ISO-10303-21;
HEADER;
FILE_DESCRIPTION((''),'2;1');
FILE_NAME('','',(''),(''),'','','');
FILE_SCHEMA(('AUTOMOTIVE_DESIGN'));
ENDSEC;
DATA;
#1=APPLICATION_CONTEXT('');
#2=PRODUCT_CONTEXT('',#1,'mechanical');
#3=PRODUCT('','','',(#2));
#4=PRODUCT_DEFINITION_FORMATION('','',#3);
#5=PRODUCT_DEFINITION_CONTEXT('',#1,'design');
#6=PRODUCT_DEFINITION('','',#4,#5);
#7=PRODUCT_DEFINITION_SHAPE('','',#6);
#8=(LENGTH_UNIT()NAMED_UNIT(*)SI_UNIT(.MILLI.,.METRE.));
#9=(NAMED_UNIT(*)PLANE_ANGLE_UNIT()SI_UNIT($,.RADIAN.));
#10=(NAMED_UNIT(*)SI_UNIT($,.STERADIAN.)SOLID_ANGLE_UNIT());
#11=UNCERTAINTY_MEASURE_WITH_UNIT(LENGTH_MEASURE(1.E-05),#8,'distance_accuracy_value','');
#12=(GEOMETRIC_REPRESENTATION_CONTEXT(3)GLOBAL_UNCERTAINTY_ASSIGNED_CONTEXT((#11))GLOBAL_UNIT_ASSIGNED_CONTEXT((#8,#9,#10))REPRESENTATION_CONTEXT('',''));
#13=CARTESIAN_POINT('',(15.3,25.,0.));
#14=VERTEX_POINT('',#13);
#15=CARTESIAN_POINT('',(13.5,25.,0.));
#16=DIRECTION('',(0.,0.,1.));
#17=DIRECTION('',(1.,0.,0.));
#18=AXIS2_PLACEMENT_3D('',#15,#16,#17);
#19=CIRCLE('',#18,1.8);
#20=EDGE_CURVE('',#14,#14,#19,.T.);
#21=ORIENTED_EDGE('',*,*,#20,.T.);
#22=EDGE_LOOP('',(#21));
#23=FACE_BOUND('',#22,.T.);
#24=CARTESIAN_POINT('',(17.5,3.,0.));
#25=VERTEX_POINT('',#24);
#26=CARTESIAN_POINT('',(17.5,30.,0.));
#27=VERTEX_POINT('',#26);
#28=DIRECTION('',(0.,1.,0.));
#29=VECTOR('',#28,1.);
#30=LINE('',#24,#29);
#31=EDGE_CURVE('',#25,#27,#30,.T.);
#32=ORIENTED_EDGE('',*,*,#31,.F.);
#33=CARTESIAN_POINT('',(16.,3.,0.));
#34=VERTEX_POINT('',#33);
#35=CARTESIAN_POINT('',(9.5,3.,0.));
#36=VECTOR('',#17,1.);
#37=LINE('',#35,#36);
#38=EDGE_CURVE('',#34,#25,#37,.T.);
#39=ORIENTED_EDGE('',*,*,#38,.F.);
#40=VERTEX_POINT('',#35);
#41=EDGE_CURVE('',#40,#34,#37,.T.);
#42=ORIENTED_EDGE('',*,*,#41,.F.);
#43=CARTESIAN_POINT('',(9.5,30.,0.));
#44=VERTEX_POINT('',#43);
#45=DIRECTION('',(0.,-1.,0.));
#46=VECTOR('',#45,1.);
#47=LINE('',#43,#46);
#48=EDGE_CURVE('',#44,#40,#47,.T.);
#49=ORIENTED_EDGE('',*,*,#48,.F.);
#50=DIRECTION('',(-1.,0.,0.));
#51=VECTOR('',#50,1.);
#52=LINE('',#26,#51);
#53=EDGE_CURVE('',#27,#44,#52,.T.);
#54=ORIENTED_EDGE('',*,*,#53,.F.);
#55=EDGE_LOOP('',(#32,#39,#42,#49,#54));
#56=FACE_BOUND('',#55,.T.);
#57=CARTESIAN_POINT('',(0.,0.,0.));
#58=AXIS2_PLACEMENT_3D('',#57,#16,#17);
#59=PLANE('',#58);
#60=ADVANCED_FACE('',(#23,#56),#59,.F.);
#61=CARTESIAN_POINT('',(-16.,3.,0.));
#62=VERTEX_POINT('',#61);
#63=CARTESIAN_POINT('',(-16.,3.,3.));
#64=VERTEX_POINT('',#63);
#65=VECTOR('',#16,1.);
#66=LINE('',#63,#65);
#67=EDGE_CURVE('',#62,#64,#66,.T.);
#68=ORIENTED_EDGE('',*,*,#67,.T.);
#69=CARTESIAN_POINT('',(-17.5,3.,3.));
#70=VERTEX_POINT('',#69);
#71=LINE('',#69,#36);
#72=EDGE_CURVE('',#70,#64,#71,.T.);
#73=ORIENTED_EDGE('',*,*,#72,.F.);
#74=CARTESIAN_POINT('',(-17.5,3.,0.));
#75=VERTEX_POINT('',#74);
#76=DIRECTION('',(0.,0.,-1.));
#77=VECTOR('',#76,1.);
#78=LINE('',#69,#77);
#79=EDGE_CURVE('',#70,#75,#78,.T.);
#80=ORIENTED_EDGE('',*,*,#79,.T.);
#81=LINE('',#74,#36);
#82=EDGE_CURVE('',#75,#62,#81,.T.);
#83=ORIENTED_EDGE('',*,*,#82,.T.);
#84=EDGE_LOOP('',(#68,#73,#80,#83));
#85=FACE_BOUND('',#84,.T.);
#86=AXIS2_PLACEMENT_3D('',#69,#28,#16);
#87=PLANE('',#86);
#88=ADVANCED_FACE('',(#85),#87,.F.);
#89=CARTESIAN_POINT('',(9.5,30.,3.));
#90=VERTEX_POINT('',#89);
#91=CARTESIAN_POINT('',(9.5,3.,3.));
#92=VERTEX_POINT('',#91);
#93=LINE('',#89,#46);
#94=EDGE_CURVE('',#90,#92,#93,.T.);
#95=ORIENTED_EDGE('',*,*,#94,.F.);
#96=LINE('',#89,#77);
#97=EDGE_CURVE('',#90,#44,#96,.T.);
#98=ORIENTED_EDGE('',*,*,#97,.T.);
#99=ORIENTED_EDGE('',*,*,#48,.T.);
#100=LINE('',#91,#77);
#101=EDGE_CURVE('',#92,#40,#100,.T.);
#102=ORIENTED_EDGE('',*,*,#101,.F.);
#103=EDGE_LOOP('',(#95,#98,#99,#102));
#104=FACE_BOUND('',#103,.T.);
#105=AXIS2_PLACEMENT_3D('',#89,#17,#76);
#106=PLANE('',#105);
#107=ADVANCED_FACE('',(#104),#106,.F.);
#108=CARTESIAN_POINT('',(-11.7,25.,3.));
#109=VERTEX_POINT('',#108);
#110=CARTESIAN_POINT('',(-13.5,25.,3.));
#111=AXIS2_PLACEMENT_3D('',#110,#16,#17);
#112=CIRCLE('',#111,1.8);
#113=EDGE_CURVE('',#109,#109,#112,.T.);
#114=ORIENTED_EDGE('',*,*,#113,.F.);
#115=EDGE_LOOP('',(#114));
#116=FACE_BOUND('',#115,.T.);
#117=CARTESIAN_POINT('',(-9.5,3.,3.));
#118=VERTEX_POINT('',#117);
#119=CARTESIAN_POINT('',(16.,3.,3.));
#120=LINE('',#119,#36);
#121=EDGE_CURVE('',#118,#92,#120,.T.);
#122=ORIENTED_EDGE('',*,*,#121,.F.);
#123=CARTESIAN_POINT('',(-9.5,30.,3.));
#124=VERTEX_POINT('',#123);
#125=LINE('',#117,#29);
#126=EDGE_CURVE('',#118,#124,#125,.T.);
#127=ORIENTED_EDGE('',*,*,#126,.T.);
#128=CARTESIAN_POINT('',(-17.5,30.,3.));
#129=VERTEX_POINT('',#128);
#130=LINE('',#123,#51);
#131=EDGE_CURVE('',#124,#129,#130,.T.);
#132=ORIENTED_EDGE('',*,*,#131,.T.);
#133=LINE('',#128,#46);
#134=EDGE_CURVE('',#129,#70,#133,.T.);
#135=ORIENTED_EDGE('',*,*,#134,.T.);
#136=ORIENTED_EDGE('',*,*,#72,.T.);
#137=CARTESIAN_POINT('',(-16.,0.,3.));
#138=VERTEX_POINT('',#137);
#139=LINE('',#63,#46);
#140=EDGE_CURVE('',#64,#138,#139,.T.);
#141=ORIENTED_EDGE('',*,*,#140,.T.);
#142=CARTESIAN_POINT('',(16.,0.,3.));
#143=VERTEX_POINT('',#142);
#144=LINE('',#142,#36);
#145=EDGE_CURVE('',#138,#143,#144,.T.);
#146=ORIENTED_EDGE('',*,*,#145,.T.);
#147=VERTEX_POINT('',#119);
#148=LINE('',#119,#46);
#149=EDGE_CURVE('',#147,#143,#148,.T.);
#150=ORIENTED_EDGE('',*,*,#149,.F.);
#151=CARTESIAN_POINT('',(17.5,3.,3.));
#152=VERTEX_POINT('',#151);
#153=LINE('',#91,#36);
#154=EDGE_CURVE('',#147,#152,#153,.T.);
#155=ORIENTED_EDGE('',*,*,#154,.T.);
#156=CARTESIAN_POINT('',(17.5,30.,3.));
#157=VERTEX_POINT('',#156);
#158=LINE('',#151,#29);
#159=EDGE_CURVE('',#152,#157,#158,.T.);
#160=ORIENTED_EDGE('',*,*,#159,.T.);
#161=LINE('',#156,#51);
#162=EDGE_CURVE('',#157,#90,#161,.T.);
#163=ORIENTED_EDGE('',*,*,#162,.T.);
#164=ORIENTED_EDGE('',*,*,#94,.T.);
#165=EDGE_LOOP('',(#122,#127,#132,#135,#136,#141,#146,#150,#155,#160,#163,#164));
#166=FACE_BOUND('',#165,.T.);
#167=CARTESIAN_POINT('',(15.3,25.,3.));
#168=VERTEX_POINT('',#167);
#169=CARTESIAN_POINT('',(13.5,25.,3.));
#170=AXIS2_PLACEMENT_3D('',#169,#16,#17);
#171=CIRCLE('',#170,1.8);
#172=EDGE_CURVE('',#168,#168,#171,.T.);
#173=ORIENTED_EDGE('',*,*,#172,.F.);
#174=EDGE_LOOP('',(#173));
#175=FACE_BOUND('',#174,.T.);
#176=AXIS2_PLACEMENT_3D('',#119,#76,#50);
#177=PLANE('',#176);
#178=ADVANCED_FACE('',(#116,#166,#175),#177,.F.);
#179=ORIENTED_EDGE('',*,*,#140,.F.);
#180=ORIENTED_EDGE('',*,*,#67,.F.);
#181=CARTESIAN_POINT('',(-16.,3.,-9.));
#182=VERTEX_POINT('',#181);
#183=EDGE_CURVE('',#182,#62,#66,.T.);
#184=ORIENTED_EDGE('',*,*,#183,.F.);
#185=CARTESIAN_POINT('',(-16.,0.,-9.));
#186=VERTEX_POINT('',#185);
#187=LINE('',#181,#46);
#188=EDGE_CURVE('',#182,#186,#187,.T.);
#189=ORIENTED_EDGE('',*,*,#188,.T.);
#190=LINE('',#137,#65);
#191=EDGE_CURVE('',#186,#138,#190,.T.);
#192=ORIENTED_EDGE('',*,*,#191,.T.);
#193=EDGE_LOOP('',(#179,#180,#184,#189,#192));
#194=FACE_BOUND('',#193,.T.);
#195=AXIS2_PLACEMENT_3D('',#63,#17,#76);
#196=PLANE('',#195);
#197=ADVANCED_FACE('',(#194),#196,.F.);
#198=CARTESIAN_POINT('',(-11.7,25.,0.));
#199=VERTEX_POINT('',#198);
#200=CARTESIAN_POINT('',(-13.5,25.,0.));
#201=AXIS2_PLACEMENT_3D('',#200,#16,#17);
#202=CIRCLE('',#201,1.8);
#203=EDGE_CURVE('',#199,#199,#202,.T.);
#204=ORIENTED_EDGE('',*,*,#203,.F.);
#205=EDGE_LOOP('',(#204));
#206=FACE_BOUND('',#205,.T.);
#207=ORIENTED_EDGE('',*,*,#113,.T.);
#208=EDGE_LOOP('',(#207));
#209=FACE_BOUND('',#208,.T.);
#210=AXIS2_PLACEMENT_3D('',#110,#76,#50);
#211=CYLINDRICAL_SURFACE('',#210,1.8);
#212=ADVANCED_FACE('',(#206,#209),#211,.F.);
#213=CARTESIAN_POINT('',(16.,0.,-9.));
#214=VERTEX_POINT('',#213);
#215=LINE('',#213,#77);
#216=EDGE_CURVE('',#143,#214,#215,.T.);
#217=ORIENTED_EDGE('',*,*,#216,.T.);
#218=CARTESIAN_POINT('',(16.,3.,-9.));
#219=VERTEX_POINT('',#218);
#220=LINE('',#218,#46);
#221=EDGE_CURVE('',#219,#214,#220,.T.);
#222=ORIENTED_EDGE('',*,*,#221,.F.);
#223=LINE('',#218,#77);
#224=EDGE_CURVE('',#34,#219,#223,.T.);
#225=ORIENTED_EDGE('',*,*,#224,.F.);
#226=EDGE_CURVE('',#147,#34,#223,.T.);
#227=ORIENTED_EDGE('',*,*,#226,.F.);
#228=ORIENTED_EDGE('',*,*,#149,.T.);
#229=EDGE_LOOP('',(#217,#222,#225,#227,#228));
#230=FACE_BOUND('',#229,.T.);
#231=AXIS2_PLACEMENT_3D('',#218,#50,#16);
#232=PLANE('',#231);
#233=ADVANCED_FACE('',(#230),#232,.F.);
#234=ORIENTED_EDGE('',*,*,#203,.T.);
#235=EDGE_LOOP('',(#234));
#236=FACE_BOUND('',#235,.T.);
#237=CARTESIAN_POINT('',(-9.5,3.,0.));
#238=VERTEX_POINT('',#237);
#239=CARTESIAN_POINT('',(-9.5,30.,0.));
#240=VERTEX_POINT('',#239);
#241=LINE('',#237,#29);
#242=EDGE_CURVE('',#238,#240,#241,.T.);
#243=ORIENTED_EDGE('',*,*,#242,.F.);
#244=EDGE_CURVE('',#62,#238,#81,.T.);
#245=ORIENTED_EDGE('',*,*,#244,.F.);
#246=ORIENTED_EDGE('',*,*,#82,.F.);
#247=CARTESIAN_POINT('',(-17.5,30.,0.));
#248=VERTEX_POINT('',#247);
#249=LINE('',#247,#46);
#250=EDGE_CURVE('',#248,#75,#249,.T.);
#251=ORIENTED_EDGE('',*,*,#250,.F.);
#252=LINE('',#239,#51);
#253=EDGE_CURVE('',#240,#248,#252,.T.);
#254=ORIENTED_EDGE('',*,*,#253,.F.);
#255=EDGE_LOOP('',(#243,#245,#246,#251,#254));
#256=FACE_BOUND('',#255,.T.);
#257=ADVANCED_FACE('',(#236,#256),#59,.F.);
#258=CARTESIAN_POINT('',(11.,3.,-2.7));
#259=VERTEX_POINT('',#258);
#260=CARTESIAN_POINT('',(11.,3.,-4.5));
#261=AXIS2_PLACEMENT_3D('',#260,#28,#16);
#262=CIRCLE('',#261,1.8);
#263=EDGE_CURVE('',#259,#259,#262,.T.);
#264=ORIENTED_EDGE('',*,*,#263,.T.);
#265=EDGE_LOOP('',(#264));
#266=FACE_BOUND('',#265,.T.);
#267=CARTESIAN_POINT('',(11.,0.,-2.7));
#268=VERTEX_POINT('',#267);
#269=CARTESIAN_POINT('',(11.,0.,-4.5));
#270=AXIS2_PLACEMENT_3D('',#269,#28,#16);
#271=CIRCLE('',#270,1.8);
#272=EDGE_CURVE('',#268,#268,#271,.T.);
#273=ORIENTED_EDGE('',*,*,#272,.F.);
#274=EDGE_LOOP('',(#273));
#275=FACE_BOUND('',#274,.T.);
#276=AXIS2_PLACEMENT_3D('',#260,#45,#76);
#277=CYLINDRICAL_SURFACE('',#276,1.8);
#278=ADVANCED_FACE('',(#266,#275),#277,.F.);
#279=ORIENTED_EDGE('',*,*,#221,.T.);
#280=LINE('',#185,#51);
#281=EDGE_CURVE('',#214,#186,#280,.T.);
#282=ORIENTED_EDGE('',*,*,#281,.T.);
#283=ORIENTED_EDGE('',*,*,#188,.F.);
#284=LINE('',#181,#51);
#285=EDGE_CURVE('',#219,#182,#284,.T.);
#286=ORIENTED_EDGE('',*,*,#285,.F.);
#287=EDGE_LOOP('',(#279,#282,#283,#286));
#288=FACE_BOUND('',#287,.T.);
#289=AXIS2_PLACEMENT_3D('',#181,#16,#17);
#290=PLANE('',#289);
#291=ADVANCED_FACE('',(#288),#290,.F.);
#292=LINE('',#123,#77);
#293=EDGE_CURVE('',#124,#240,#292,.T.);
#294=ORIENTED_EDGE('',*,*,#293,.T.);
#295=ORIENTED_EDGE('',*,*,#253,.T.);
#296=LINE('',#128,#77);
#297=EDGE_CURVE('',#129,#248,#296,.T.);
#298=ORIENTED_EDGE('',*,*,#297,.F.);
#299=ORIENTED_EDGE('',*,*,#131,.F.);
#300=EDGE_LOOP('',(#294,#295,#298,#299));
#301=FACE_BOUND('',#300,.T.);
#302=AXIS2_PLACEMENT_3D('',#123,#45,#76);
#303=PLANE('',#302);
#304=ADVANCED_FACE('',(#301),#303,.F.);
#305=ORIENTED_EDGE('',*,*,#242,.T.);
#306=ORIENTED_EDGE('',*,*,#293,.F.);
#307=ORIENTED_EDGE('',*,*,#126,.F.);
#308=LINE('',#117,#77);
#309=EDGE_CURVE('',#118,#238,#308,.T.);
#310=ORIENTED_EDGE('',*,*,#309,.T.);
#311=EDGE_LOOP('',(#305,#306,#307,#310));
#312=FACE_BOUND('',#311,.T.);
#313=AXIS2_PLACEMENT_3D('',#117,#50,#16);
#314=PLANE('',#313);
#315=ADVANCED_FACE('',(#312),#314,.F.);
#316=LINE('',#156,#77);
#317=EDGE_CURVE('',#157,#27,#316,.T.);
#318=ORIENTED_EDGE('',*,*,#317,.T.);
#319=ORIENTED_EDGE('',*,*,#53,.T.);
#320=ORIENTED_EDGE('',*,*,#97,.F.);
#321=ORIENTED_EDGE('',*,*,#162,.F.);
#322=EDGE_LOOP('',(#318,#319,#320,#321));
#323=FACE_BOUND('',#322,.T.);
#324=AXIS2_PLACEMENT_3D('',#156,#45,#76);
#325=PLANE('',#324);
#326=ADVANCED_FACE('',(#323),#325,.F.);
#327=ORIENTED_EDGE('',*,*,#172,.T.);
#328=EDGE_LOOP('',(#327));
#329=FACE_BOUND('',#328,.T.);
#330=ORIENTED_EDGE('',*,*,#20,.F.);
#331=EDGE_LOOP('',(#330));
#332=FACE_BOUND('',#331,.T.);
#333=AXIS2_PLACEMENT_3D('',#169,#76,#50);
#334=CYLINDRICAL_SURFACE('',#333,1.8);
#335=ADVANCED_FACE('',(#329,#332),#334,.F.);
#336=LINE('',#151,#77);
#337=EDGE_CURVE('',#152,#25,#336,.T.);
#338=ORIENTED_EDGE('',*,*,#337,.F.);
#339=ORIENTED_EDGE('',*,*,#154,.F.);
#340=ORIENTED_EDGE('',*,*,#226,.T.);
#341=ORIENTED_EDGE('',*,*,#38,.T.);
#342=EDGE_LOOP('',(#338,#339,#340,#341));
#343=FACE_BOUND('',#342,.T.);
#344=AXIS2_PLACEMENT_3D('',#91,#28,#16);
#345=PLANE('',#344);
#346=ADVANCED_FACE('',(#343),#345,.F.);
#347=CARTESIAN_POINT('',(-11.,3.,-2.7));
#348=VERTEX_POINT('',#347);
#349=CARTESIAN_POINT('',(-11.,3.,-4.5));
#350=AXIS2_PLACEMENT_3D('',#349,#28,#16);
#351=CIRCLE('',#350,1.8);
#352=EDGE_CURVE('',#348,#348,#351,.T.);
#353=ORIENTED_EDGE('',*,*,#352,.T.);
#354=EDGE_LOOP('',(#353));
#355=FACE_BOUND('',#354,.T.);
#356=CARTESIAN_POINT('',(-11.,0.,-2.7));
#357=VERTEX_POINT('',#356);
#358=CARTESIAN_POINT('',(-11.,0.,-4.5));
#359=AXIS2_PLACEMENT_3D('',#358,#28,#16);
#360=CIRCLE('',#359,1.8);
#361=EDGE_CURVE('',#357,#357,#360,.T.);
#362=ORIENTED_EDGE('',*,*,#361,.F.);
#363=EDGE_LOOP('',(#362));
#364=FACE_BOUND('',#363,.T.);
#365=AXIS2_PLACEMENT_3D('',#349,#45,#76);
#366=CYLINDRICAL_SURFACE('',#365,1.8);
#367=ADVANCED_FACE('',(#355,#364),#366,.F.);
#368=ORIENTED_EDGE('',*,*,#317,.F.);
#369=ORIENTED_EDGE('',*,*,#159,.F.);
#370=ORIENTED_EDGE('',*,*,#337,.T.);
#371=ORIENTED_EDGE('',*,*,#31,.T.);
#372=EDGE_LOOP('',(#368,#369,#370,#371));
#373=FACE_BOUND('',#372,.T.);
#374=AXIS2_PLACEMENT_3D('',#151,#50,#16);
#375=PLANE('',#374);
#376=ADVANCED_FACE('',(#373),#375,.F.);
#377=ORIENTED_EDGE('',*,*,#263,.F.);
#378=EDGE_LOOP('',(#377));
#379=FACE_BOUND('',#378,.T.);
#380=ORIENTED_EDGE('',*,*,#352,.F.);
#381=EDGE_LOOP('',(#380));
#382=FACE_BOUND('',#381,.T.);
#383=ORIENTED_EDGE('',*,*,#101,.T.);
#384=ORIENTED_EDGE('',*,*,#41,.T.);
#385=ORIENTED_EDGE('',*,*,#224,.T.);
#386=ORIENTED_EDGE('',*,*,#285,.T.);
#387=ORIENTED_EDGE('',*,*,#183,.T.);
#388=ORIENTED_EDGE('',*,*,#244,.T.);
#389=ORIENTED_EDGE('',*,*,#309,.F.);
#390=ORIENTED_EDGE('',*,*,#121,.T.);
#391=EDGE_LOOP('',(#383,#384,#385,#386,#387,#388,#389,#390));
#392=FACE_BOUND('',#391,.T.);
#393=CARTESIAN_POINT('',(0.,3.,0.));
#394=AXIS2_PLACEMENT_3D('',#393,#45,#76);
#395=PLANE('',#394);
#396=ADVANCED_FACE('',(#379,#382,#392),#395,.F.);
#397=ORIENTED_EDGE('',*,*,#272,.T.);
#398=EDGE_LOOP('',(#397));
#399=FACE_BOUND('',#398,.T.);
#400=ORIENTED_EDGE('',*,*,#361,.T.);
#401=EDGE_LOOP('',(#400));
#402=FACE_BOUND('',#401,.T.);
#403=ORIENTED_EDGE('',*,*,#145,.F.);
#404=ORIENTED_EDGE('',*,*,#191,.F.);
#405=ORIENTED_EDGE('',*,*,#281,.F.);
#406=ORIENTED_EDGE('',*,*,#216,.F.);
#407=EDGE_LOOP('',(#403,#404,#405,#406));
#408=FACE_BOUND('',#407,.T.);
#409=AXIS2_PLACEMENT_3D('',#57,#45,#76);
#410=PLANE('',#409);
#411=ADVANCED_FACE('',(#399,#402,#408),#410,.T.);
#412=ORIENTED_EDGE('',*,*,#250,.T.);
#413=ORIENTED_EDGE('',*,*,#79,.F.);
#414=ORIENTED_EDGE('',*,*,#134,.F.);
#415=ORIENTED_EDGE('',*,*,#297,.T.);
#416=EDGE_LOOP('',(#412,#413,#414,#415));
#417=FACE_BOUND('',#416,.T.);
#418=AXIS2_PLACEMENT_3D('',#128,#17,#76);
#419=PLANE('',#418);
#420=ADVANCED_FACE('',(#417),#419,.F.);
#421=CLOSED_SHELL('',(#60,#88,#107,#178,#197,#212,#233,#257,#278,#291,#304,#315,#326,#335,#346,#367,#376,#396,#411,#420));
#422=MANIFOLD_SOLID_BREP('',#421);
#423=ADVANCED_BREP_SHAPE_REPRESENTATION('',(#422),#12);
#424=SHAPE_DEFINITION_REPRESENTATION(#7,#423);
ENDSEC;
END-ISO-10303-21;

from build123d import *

# Parameters (mm, degrees)
SKETCH_1_W               = 32
SKETCH_1_H               = 12
F_32X12_3_3MM_DEPTH      = 3
SKETCH_2_W               = 8
SKETCH_2_H               = 27
EXTRUDE_3_DEPTH          = 3
SKETCH_3_R               = 1.8
CUT_EXTRUDE_3_6_27_DEPTH = 3
SKETCH_4_R               = 1.8
CUT_EXTRUDE_832_DEPTH    = 3


with BuildPart() as part:
    # 草图1 → 测距小底脚32x12_厚3_单向3mm (new body)
    with BuildSketch(Plane(origin=(0, 0, 0), x_dir=(1, 0, 0), z_dir=(0, 1, 0))):
        with Locations((0, 3)):
            Rectangle(SKETCH_1_W, SKETCH_1_H)
    extrude(amount=F_32X12_3_3MM_DEPTH)

    # 草图2 → 两根支撑臂厚3_去掉大框和加强筋 (add)
    with BuildSketch(Plane.XY):
        with Locations((-13.5, 16.5)):
            Rectangle(SKETCH_2_W, SKETCH_2_H)
        with Locations((13.5, 16.5)):
            Rectangle(SKETCH_2_W, SKETCH_2_H)
    extrude(amount=EXTRUDE_3_DEPTH)

    # 草图3 → 背板原孔3.6_只接下排两孔距27_贯穿 (cut)
    with BuildSketch(Plane.XY):
        with Locations((-13.5, 25)):
            Circle(SKETCH_3_R)
        with Locations((13.5, 25)):
            Circle(SKETCH_3_R)
    extrude(amount=CUT_EXTRUDE_3_6_27_DEPTH, mode=Mode.SUBTRACT)

    # 草图4 → Cut-Extrude 832 (cut)
    with BuildSketch(Plane(origin=(0, 0, 0), x_dir=(1, 0, 0), z_dir=(0, 1, 0))):
        with Locations(Location((-11, 4.5, 0), (0, 0, 270))):
            Circle(SKETCH_4_R)
        with Locations(Location((11, 4.5, 0), (0, 0, 270))):
            Circle(SKETCH_4_R)
    extrude(amount=CUT_EXTRUDE_832_DEPTH, mode=Mode.SUBTRACT)


solid = part.part
